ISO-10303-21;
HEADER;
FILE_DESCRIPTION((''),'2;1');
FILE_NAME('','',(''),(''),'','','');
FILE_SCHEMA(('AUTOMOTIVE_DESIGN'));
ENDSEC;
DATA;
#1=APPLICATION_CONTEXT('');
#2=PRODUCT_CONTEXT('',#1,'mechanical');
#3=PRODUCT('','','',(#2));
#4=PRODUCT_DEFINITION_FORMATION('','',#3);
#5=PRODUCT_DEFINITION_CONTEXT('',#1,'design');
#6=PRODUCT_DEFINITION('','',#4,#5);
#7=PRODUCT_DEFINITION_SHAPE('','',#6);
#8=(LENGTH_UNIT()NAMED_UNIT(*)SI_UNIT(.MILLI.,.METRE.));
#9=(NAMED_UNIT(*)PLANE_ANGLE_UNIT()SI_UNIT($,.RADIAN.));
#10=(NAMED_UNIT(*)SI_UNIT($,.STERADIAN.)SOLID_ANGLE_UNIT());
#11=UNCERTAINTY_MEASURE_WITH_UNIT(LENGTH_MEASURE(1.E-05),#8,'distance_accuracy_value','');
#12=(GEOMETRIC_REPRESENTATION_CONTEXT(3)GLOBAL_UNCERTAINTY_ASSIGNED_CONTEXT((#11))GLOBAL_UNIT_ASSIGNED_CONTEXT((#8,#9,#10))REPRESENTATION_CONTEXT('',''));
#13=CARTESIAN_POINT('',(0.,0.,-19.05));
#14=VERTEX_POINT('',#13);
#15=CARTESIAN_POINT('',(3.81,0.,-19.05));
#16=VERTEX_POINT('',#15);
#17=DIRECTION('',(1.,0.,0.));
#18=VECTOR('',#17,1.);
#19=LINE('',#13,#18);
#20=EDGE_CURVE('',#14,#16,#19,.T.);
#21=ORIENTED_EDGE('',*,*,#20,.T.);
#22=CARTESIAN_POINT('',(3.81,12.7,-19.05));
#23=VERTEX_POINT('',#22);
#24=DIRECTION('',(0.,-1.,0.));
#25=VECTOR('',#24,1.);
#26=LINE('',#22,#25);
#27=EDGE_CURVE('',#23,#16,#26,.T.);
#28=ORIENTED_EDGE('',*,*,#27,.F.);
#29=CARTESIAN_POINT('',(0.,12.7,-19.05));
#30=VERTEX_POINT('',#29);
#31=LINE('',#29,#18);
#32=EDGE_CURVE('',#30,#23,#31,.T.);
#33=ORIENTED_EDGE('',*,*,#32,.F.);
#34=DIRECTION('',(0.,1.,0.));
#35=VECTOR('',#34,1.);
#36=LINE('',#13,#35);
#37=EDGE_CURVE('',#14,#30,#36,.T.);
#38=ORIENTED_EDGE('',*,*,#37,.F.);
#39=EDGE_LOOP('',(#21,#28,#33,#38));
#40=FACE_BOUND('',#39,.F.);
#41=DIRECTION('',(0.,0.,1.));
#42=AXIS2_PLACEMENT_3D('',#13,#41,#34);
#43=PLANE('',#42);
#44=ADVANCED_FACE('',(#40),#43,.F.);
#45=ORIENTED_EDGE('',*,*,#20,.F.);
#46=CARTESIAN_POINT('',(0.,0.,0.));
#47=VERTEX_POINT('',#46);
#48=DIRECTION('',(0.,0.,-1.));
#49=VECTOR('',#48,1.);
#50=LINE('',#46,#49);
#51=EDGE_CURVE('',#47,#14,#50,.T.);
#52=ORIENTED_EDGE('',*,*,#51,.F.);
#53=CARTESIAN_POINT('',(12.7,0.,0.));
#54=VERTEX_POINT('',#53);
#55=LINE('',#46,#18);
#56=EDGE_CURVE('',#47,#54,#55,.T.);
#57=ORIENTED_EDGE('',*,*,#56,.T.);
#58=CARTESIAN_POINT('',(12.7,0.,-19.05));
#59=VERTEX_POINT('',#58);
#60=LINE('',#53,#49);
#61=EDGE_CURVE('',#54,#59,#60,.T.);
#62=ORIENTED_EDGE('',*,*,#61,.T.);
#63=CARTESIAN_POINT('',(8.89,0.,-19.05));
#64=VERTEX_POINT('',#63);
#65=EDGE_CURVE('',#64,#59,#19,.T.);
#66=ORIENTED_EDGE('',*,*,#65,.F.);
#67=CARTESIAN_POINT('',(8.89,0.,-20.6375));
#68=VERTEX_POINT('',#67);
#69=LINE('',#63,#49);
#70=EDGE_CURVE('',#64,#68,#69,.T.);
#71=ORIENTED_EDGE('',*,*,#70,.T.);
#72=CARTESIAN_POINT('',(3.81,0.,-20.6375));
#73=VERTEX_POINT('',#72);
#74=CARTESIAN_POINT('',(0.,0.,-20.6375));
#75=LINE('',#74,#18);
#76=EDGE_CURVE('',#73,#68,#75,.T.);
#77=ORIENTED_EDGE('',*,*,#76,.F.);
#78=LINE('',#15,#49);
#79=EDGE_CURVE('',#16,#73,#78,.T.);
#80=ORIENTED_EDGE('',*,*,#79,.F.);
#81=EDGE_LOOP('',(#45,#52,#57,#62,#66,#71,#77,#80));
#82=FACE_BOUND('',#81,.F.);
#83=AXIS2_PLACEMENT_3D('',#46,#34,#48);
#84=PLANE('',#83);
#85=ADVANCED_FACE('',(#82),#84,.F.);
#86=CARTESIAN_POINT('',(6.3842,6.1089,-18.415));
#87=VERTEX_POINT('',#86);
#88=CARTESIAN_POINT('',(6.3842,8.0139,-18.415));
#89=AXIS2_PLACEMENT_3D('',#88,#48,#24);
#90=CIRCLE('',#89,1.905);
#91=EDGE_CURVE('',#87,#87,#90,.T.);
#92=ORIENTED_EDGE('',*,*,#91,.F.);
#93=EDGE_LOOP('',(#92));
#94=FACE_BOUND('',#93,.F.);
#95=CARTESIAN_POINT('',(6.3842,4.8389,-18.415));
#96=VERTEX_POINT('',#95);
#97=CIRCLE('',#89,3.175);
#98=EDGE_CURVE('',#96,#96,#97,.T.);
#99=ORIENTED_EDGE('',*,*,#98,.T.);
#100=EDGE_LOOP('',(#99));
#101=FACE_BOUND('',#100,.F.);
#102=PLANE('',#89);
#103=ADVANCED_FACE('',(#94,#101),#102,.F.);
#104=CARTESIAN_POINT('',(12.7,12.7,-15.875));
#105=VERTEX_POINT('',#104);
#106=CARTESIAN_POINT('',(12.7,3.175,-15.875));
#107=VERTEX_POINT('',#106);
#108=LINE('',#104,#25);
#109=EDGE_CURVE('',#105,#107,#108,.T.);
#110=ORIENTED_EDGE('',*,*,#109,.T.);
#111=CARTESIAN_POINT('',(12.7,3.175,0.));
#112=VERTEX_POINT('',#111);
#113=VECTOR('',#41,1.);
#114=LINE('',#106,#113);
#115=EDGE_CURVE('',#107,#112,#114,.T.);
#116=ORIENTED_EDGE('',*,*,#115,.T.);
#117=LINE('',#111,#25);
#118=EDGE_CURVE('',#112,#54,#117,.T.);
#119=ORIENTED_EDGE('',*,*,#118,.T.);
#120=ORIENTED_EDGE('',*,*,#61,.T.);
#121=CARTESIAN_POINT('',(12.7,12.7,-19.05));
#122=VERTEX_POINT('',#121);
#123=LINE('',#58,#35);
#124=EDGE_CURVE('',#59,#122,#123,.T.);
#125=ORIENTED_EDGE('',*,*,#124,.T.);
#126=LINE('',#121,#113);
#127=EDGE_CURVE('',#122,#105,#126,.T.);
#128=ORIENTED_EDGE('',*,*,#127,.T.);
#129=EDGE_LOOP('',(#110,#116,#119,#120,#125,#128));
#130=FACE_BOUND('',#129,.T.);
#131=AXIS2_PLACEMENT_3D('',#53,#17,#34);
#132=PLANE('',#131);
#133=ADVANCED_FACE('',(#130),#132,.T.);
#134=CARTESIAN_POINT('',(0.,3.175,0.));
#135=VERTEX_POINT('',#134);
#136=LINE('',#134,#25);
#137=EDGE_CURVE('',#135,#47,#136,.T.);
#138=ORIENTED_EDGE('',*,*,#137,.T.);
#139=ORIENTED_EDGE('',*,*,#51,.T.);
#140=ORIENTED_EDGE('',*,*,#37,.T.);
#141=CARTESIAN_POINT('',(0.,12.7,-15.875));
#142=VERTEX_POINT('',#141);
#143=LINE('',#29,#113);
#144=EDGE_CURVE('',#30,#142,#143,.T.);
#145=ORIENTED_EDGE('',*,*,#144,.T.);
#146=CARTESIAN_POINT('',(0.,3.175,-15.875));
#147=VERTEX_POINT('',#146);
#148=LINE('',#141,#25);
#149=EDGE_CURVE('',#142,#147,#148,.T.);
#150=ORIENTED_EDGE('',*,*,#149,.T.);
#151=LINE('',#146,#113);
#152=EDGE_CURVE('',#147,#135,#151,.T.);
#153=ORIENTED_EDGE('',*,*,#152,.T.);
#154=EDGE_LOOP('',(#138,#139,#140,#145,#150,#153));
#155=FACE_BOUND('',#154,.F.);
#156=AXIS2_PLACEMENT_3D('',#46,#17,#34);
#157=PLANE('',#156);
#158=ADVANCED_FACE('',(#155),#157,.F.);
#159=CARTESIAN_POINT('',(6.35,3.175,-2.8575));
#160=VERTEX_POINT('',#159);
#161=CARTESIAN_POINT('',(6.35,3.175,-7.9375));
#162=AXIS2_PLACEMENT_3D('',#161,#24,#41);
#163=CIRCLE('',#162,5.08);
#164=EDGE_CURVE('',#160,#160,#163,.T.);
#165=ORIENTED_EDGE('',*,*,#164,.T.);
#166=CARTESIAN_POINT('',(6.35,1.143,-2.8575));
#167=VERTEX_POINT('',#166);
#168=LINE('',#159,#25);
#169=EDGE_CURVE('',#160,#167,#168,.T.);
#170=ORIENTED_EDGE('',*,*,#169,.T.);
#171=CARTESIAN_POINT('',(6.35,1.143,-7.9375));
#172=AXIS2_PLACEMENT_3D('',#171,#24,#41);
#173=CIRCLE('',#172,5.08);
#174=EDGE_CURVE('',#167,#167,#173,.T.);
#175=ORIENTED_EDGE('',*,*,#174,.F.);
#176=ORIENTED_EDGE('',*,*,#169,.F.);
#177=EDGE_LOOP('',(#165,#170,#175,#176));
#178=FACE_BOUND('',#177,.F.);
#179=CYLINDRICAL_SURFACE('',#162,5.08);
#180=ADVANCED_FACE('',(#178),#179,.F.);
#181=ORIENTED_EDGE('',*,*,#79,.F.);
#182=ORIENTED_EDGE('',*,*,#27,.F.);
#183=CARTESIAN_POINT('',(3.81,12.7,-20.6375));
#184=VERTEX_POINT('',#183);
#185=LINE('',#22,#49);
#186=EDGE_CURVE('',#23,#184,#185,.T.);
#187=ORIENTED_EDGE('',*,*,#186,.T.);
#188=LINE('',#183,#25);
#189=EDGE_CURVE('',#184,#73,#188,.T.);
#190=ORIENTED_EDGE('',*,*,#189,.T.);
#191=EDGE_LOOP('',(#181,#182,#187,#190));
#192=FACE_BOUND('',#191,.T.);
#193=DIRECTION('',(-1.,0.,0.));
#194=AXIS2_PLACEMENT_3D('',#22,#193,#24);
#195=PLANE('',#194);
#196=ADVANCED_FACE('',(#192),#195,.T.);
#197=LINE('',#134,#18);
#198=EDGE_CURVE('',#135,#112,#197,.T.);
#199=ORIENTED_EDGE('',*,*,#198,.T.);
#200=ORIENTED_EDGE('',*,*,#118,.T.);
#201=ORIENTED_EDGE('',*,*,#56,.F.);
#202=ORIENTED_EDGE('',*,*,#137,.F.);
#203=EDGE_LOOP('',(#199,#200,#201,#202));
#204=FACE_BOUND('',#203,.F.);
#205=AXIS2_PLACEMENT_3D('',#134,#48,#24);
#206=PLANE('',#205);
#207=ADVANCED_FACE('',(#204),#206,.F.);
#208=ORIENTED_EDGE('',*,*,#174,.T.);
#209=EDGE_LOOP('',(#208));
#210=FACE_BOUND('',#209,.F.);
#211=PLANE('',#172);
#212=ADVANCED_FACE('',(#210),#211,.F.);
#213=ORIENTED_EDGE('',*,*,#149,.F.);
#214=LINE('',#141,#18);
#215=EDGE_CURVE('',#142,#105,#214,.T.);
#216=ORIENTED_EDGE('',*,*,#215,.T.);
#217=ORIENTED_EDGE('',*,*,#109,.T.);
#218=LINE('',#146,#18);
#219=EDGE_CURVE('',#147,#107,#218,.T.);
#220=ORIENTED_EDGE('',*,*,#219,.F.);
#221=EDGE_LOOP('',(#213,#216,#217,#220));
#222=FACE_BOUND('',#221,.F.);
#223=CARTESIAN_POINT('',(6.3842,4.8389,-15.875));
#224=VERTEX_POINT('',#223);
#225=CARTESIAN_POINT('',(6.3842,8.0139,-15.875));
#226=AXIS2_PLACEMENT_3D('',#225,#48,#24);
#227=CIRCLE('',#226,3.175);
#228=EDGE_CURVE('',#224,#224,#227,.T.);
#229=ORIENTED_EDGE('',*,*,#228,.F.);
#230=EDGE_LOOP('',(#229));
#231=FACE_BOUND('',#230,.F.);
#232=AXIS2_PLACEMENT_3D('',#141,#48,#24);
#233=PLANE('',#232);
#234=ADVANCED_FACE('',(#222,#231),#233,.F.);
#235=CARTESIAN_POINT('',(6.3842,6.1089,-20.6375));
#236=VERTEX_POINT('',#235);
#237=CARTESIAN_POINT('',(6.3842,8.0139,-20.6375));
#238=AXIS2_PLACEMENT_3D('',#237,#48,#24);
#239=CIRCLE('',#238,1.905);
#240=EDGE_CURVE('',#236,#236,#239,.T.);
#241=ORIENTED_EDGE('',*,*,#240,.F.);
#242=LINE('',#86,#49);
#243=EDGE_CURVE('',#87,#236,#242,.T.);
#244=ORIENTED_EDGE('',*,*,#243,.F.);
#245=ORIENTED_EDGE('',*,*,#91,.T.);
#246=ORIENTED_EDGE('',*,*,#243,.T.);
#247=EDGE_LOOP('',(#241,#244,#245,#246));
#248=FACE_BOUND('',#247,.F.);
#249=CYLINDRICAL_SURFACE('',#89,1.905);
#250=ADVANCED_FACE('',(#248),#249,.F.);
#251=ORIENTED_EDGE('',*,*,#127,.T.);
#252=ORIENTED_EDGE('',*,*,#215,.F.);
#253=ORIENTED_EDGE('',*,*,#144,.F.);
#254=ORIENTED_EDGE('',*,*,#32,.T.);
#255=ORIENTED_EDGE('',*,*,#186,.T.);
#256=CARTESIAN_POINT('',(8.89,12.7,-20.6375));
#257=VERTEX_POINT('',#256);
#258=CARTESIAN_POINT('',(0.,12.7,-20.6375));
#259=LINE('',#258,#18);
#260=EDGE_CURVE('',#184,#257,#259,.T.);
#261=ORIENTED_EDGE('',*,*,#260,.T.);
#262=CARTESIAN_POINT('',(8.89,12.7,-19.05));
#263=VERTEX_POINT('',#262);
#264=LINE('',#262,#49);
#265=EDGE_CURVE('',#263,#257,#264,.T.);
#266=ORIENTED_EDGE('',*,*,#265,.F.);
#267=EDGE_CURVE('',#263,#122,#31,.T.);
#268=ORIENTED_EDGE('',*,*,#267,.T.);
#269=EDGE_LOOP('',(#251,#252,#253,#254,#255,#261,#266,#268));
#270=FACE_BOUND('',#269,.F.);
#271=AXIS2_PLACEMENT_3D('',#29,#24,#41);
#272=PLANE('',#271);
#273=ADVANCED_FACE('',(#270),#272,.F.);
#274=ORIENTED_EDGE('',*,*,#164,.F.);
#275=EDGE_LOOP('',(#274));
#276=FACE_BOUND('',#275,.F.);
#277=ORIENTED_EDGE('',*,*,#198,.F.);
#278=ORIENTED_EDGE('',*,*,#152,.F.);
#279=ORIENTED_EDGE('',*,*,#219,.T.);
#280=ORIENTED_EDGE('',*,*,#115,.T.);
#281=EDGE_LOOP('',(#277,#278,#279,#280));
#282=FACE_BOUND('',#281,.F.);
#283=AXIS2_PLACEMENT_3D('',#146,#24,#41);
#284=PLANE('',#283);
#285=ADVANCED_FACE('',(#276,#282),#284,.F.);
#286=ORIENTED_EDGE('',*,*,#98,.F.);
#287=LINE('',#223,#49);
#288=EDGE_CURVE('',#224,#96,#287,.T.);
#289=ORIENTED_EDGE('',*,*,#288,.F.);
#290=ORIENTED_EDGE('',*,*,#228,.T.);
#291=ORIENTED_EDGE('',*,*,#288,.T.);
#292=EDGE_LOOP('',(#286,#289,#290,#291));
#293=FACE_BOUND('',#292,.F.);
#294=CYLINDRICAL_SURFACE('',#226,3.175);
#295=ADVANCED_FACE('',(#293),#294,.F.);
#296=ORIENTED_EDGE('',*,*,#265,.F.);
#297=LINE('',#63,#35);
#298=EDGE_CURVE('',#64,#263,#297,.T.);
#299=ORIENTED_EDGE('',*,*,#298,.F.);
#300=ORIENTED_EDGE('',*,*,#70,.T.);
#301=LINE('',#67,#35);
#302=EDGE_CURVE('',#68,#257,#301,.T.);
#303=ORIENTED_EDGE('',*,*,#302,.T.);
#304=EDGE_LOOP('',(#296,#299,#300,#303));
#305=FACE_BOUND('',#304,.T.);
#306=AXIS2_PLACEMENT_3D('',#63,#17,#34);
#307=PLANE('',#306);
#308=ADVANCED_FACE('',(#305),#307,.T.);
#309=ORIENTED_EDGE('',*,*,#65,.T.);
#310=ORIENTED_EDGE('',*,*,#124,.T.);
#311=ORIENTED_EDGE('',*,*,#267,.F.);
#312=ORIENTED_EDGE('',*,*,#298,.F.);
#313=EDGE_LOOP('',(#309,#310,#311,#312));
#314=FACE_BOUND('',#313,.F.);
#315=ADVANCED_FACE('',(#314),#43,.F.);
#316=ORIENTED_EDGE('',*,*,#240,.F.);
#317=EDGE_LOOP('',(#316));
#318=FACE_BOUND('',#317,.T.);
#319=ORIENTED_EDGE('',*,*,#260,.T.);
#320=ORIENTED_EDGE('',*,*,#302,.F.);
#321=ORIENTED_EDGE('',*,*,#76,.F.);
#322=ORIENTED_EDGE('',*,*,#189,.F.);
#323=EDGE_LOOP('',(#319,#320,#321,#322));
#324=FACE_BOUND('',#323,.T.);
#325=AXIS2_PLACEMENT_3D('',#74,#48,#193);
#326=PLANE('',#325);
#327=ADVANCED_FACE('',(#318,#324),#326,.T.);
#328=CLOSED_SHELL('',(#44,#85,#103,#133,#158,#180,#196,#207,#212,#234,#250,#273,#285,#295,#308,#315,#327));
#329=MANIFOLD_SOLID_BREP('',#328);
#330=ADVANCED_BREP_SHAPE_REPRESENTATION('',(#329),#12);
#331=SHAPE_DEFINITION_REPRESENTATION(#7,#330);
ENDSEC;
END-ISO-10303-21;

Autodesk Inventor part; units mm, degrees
ref_plane "YZ Plane" through (0, 0, 0) normal (1, 0, 0) x (0, 1, 0)
ref_plane "XZ Plane" through (0, 0, 0) normal (0, 1, 0) x (-1, 0, 0)
ref_plane "XY Plane" through (0, 0, 0) normal (0, 0, 1) x (1, 0, 0)
sketch "Sketch1" plane through (0, 0, 0) normal (1, 0, 0) x (0, 1, 0)
  line L0 (0, 0) -> (0, -19.05)
  line L1 (0, -19.05) -> (12.7, -19.05)
  line L2 (12.7, -19.05) -> (12.7, -15.875)
  line L3 (12.7, -15.875) -> (3.175, -15.875)
  line L4 (3.175, -15.875) -> (3.175, 0)
  line L5 (3.175, 0) -> (0, 0)
  dimension "d0" = 3.175
  dimension "d1" = 12.7
  dimension "d4" = 3.175
  dimension "d5" = 19.05
extrude "Extrusion1" add sketch "Sketch1" along normal blind 12.7
sketch "Sketch3" plane through (0, 3.175, 0) normal (0, 1, 0) x (1, 0, 0)
  line L0 (0, 15.875) -> (0, 0) projected
  line L1 (0, 0) -> (12.7, 0) projected
  line L2 (12.7, 15.875) -> (12.7, 0) projected
  line L3 (0, 15.875) -> (12.7, 15.875) projected
  point P0 (0, 0)
  point P1 (6.35, 7.9375)
hole "Hole2" at (6.35, 3.175, -7.9375) direction (0, -1, 0) diameter 10.16 depth 2.032
sketch "Sketch4" plane through (0, 0, -19.05) normal (0, 0, -1) x (-1, 0, 0)
  line L0 (0, 12.7) -> (-12.7, 12.7) projected
  line L1 (0, 0) -> (-12.7, 0) projected
  line L2 (-8.89, 12.7) -> (-3.81, 12.7)
  line L3 (-3.81, 12.7) -> (-3.81, 0)
  line L4 (-3.81, 0) -> (-8.89, 0)
  line L5 (-8.89, 0) -> (-8.89, 12.7)
  line L6 (0, 0) -> (0, 12.7) projected
  line L7 (0, 12.7) -> (-12.7, 12.7) projected
  line L8 (-12.7, 0) -> (-12.7, 12.7) projected
  line L9 (0, 0) -> (-12.7, 0) projected
  dimension "d22" = 5.08
  dimension "d23" = 12.7
  dimension "d24" = 3.81
extrude "Extrusion2" add sketch "Sketch4" along normal blind 1.5875 contours L3 L1 L5 L0
sketch "Sketch5" plane through (0, 3.175, -15.875) normal (0, 0, 1) x (1, 0, 0)
  line L0 (0, 9.525) -> (0, 0) projected
  line L1 (0, 0) -> (12.7, 0) projected
  line L2 (12.7, 9.525) -> (12.7, 0) projected
  line L3 (0, 9.525) -> (12.7, 9.525) projected
  point P0 (0, -3.175)
  point P1 (6.3842, 4.8389)
hole "Hole3" at (6.3842, 8.0139, -15.875) direction (0, 0, -1) diameter 3.81 end through all counterbore diameter 6.35 counterbore depth 2.54
equation "\"d4\" = d0"
equation "\"d24\" = -0.5 * d22 + 0.5 * d23"
properties part number "spring tab for on arm"
